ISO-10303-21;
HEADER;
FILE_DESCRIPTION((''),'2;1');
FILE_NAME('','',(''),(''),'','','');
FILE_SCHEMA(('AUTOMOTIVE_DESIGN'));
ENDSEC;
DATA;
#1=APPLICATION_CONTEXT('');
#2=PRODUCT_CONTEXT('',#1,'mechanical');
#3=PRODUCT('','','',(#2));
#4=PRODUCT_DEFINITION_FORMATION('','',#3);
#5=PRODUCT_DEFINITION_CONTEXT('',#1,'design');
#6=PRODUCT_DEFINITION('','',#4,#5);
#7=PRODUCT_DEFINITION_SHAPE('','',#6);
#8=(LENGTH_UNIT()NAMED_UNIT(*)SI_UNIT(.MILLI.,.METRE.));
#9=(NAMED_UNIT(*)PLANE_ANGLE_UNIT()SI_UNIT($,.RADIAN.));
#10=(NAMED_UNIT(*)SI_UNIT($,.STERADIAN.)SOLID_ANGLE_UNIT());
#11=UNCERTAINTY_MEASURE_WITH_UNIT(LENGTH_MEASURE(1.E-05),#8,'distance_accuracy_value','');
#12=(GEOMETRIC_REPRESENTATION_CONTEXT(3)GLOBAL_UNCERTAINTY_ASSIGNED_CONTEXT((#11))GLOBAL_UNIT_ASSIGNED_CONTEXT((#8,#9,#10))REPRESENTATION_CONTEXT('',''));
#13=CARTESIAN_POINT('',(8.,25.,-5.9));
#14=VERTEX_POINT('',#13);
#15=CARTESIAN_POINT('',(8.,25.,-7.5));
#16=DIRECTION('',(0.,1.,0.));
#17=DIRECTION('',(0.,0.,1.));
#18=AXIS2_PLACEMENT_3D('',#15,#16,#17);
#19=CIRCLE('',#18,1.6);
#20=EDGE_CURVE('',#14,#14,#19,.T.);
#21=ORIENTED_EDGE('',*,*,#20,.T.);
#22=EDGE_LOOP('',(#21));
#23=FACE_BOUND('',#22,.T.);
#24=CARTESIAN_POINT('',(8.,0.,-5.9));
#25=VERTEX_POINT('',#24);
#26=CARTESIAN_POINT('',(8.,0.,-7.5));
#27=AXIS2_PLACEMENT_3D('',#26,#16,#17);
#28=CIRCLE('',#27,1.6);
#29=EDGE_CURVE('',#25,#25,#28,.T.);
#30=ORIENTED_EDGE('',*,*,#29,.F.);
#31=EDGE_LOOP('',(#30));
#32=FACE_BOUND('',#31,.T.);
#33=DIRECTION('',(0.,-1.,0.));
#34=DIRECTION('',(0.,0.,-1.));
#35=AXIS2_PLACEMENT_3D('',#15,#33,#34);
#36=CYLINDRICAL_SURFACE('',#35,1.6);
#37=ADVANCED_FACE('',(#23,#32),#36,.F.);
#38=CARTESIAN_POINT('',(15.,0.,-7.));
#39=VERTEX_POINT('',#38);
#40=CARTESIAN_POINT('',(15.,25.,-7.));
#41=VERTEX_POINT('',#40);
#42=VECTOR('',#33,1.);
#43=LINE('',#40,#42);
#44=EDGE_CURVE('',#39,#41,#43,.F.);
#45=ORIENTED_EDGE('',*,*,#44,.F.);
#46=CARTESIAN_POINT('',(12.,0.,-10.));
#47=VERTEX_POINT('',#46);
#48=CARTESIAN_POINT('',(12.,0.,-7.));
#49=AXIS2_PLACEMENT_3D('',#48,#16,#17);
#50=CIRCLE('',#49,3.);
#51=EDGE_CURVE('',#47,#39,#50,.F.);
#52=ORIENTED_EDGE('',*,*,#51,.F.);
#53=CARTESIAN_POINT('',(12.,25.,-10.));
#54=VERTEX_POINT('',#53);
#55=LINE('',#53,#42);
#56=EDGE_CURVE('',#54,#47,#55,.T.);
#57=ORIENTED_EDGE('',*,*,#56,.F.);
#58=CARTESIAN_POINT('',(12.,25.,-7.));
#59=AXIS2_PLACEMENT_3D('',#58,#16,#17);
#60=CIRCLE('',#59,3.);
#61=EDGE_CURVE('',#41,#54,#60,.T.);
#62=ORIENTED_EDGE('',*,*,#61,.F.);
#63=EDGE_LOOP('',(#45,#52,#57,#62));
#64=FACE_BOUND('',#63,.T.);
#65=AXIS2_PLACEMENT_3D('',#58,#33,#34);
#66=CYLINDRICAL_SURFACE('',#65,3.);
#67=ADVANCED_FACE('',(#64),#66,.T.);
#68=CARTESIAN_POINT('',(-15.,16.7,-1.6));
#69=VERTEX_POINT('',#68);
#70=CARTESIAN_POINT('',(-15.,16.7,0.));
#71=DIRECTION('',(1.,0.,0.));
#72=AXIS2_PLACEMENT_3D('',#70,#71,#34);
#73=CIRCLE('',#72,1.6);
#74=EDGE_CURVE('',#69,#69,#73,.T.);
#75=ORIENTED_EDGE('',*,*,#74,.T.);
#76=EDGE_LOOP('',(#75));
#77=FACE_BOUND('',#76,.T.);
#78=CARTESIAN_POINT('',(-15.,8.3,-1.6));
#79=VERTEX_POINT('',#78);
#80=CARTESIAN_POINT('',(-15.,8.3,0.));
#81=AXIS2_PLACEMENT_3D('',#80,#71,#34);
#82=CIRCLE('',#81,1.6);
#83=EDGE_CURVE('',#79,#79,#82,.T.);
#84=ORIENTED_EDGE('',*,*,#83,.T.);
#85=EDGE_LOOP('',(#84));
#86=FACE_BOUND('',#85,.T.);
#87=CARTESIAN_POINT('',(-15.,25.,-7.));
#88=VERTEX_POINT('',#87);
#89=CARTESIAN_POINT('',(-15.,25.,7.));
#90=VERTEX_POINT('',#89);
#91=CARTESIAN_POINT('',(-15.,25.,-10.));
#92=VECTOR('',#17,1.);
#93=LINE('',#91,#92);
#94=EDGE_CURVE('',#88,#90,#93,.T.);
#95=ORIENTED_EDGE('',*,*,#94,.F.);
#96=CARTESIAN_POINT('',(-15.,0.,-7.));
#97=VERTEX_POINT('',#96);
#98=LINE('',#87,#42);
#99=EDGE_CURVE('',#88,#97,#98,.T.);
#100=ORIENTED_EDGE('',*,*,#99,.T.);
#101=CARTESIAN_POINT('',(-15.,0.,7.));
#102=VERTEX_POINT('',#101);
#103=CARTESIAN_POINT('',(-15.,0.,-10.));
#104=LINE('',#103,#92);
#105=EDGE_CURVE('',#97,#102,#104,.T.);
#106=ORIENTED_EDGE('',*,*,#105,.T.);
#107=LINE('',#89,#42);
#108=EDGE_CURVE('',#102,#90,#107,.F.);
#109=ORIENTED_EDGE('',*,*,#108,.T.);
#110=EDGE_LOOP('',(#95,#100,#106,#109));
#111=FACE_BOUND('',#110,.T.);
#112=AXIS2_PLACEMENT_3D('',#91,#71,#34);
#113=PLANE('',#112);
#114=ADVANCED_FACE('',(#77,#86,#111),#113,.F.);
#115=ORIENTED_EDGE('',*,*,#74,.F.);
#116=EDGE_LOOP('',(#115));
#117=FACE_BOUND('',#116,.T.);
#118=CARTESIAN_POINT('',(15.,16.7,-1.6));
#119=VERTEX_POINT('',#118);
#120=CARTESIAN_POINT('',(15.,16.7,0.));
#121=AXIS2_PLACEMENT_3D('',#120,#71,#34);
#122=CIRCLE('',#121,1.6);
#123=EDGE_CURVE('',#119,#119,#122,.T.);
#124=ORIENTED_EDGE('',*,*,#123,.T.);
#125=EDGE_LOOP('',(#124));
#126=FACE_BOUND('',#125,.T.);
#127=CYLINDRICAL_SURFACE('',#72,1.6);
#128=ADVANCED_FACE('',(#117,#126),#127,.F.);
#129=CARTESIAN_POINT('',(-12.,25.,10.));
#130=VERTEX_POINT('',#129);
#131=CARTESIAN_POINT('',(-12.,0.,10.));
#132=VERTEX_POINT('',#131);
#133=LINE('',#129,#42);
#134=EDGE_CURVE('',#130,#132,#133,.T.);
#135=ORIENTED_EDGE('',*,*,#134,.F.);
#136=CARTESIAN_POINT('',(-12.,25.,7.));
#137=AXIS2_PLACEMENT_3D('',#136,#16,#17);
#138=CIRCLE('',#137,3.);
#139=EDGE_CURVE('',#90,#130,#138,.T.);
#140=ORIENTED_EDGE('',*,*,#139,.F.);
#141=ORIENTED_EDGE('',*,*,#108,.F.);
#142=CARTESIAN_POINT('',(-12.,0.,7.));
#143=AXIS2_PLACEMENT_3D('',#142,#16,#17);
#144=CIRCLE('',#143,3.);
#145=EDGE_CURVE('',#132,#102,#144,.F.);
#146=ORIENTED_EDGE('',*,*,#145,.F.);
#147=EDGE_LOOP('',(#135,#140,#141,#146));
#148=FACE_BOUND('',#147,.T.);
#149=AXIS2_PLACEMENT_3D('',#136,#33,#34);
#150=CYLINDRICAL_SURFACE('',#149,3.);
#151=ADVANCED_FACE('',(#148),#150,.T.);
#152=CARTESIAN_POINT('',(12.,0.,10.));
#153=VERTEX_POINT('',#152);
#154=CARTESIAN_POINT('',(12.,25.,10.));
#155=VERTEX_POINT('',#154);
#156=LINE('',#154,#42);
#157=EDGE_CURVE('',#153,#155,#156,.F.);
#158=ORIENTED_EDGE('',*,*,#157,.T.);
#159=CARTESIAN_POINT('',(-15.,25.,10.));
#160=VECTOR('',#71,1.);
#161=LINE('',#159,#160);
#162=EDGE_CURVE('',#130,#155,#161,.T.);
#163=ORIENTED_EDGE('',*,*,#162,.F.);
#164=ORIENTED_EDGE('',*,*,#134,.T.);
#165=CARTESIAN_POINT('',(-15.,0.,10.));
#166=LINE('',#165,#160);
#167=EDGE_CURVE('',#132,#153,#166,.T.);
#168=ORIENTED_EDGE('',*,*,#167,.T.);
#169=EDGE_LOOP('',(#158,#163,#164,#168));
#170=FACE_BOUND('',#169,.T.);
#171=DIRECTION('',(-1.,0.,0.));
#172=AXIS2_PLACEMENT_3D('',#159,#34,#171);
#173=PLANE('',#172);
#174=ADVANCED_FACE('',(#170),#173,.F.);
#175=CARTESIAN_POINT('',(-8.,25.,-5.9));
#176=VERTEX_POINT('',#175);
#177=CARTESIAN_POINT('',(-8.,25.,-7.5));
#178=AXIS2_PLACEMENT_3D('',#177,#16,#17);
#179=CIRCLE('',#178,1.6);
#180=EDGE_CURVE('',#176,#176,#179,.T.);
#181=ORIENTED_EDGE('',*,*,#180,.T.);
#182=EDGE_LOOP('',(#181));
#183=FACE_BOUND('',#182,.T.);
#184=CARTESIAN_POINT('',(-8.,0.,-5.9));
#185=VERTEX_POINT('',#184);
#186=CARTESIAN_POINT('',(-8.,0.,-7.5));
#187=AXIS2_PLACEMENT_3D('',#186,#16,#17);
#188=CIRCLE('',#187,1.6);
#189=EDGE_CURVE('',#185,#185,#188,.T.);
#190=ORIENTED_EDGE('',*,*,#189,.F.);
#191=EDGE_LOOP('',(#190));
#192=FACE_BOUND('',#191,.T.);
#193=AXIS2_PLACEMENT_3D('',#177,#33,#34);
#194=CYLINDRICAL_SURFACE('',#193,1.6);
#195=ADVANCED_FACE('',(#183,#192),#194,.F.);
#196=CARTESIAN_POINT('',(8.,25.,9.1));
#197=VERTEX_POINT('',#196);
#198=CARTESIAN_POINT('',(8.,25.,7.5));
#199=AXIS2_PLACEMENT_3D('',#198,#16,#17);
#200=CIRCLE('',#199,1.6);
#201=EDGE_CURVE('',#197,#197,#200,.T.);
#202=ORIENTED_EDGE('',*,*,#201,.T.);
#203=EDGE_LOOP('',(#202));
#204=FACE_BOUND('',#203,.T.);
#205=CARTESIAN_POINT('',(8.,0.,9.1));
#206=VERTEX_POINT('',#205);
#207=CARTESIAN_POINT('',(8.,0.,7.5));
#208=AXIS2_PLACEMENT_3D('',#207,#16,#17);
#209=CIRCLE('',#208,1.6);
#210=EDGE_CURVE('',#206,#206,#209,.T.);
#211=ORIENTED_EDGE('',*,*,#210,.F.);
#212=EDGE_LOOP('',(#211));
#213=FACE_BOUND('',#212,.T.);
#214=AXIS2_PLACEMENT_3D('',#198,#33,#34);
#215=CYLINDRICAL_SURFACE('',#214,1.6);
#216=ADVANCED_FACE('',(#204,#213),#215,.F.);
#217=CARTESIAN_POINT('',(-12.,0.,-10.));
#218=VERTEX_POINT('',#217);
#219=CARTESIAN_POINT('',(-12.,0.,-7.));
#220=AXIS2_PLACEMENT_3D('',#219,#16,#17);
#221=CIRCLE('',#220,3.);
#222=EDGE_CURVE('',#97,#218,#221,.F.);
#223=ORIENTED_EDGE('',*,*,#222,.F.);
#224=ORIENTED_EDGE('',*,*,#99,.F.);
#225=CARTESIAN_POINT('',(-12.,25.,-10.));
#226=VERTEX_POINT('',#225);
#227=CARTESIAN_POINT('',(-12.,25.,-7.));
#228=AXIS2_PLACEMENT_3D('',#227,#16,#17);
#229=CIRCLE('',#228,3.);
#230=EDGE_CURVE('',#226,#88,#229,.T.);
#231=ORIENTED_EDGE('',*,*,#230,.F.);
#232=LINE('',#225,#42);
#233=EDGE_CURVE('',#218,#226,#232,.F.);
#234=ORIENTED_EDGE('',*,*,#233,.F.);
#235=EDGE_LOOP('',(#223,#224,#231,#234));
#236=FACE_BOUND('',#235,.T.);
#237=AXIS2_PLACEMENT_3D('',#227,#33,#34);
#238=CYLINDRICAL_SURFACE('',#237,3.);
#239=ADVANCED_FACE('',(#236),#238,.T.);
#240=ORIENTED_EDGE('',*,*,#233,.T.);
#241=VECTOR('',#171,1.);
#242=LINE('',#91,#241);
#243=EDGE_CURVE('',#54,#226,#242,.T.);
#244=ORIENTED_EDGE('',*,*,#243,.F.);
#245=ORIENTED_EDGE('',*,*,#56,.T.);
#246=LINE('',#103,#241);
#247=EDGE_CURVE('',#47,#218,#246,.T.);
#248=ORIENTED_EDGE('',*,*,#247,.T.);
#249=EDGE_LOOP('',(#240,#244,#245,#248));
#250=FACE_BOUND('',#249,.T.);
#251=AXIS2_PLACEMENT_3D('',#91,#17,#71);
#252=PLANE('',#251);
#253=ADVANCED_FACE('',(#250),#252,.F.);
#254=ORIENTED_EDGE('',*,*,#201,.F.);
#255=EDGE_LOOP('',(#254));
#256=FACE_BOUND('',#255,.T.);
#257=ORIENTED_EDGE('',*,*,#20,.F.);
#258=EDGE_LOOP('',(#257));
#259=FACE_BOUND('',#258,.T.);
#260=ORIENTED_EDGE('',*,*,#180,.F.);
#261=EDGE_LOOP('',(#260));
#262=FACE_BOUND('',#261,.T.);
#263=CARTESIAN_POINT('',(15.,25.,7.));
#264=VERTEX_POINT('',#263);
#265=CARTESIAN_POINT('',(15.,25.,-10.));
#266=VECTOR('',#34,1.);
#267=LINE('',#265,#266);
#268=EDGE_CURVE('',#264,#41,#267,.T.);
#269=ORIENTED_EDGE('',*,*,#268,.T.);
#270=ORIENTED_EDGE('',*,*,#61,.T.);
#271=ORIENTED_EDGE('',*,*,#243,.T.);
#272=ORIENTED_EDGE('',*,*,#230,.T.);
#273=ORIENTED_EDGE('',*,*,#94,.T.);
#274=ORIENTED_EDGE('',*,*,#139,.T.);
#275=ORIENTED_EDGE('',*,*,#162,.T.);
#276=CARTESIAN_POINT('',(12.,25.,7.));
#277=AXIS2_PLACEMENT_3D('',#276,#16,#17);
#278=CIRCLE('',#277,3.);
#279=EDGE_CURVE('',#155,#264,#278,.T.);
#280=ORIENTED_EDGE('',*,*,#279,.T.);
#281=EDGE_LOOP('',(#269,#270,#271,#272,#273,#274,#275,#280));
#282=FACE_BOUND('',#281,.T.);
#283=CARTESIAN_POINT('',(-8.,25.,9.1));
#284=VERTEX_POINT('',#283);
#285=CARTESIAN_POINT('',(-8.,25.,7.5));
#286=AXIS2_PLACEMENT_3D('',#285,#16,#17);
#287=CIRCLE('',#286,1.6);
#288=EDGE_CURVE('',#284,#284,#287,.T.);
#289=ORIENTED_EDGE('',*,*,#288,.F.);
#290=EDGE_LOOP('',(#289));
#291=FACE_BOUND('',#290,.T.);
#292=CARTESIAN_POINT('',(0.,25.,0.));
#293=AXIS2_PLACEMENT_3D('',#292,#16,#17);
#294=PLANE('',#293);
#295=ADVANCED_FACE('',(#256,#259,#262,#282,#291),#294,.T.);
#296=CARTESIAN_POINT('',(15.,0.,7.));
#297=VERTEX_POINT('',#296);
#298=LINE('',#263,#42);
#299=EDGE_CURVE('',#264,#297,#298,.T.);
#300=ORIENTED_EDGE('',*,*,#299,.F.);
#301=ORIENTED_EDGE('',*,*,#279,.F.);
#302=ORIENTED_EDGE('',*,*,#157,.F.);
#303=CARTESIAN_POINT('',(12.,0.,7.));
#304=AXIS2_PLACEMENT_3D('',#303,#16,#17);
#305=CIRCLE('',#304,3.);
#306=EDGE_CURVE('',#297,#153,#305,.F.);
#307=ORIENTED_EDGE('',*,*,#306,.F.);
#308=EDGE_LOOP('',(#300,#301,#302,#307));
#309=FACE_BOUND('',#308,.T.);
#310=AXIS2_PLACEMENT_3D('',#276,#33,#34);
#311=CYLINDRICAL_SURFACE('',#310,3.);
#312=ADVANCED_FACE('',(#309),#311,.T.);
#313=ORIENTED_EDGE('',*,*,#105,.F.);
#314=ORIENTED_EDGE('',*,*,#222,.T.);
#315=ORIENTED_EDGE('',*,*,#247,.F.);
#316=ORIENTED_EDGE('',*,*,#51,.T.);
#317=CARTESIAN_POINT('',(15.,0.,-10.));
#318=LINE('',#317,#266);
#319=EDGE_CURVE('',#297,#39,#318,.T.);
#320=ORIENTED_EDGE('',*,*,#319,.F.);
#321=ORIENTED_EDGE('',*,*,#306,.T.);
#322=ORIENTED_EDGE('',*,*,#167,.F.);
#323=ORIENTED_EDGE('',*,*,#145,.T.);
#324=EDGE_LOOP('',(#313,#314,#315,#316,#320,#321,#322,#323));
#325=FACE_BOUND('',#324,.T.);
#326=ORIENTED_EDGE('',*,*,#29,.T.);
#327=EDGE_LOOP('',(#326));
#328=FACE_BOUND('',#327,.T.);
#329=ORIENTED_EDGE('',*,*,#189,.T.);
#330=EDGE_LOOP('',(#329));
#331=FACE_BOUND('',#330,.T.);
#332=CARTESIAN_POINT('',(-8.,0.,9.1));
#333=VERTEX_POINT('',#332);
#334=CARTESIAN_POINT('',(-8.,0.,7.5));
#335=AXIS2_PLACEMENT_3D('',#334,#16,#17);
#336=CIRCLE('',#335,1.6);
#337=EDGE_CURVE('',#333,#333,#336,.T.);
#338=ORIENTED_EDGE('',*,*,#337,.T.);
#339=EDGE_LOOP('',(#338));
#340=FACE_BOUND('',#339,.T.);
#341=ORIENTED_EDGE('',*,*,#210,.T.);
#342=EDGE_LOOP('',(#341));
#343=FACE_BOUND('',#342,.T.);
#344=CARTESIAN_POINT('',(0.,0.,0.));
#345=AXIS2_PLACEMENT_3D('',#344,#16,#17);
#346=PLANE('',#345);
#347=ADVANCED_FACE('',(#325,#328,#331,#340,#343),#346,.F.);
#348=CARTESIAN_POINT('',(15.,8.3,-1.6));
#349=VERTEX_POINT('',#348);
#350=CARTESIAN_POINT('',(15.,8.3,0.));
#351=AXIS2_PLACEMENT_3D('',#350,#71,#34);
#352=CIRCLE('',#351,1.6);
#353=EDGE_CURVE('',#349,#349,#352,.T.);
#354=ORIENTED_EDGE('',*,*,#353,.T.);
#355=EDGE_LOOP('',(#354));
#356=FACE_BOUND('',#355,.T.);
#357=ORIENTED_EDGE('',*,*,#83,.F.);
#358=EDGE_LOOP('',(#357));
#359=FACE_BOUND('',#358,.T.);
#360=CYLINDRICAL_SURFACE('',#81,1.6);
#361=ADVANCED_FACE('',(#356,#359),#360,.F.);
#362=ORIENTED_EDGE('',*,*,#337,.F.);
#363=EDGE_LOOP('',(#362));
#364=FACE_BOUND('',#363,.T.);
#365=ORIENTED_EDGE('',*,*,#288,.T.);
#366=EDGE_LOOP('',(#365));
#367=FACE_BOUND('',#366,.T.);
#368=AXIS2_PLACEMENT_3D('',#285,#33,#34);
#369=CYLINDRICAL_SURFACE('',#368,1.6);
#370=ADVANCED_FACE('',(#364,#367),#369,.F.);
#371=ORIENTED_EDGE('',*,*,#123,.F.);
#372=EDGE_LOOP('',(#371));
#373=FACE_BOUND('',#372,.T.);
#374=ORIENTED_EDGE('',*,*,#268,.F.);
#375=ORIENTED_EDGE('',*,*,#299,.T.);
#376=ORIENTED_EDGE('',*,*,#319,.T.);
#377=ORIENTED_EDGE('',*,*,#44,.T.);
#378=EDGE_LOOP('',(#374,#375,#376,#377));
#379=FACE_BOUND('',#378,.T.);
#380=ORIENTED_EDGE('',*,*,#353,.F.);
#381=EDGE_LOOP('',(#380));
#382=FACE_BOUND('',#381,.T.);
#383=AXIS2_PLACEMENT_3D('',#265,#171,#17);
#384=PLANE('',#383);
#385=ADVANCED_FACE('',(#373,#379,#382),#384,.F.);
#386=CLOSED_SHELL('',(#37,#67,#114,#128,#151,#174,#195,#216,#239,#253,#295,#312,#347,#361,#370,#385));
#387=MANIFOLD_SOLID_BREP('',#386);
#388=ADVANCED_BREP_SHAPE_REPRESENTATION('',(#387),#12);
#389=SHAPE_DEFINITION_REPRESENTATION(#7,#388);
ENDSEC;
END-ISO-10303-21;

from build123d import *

# Parameters (mm, degrees)
SKETCH_1_W          = 30
SKETCH_1_H          = 20
SKETCH_1_R          = 1.6
EXTRUDE_1_DEPTH     = 25
FILLET_1_R          = 3
SKETCH_2_R          = 1.6
CUT_EXTRUDE_1_DEPTH = 31
SKETCH_3_R          = 1.6
EXTRUDE_2_DEPTH     = 30
SKETCH_4_R          = 1.6
CUT_EXTRUDE_2_DEPTH = 31


with BuildPart() as part:
    # 草图1 → 凸台-拉伸1 (new body)
    with BuildSketch(Plane(origin=(0, 0, 0), x_dir=(1, 0, 0), z_dir=(0, 1, 0))):
        Rectangle(SKETCH_1_W, SKETCH_1_H)
        with Locations((-8, 7.5)):
            Circle(SKETCH_1_R, mode=Mode.SUBTRACT)
        with Locations((-8, -7.5)):
            Circle(SKETCH_1_R, mode=Mode.SUBTRACT)
        with Locations((8, -7.5)):
            Circle(SKETCH_1_R, mode=Mode.SUBTRACT)
        with Locations((8, 7.5)):
            Circle(SKETCH_1_R, mode=Mode.SUBTRACT)
    extrude(amount=EXTRUDE_1_DEPTH)

    # 圆角1
    fillet_1_edges = [part.edges().sort_by_distance(p)[0] for p in [
        (15, 12.5, 10),
        (-15, 12.5, 10),
        (-15, 12.5, -10),
        (15, 12.5, -10),
    ]]
    fillet(fillet_1_edges, radius=FILLET_1_R)

    # 草图2 → 切除-拉伸1 (cut, through all)
    with BuildSketch(Plane(origin=(15, 0, 0), x_dir=(0, 0, -1), z_dir=(1, 0, 0))):
        with Locations((0, 16.7)):
            Circle(SKETCH_2_R)
        with Locations((0, 8.3)):
            Circle(SKETCH_2_R)
    extrude(amount=-CUT_EXTRUDE_1_DEPTH, mode=Mode.SUBTRACT)

    # 草图3 → 凸台-拉伸2 (add)
    with BuildSketch(Plane(origin=(15, 0, 0), x_dir=(0, 0, -1), z_dir=(1, 0, 0))):
        with Locations((0, 16.7)):
            Circle(SKETCH_3_R)
    extrude(amount=-EXTRUDE_2_DEPTH)

    # 草图4 → 切除-拉伸2 (cut, through all)
    with BuildSketch(Plane(origin=(15, 0, 0), x_dir=(0, 0, -1), z_dir=(1, 0, 0))):
        with Locations((0, 16.7)):
            Circle(SKETCH_4_R)
    extrude(amount=-CUT_EXTRUDE_2_DEPTH, mode=Mode.SUBTRACT)


solid = part.part
